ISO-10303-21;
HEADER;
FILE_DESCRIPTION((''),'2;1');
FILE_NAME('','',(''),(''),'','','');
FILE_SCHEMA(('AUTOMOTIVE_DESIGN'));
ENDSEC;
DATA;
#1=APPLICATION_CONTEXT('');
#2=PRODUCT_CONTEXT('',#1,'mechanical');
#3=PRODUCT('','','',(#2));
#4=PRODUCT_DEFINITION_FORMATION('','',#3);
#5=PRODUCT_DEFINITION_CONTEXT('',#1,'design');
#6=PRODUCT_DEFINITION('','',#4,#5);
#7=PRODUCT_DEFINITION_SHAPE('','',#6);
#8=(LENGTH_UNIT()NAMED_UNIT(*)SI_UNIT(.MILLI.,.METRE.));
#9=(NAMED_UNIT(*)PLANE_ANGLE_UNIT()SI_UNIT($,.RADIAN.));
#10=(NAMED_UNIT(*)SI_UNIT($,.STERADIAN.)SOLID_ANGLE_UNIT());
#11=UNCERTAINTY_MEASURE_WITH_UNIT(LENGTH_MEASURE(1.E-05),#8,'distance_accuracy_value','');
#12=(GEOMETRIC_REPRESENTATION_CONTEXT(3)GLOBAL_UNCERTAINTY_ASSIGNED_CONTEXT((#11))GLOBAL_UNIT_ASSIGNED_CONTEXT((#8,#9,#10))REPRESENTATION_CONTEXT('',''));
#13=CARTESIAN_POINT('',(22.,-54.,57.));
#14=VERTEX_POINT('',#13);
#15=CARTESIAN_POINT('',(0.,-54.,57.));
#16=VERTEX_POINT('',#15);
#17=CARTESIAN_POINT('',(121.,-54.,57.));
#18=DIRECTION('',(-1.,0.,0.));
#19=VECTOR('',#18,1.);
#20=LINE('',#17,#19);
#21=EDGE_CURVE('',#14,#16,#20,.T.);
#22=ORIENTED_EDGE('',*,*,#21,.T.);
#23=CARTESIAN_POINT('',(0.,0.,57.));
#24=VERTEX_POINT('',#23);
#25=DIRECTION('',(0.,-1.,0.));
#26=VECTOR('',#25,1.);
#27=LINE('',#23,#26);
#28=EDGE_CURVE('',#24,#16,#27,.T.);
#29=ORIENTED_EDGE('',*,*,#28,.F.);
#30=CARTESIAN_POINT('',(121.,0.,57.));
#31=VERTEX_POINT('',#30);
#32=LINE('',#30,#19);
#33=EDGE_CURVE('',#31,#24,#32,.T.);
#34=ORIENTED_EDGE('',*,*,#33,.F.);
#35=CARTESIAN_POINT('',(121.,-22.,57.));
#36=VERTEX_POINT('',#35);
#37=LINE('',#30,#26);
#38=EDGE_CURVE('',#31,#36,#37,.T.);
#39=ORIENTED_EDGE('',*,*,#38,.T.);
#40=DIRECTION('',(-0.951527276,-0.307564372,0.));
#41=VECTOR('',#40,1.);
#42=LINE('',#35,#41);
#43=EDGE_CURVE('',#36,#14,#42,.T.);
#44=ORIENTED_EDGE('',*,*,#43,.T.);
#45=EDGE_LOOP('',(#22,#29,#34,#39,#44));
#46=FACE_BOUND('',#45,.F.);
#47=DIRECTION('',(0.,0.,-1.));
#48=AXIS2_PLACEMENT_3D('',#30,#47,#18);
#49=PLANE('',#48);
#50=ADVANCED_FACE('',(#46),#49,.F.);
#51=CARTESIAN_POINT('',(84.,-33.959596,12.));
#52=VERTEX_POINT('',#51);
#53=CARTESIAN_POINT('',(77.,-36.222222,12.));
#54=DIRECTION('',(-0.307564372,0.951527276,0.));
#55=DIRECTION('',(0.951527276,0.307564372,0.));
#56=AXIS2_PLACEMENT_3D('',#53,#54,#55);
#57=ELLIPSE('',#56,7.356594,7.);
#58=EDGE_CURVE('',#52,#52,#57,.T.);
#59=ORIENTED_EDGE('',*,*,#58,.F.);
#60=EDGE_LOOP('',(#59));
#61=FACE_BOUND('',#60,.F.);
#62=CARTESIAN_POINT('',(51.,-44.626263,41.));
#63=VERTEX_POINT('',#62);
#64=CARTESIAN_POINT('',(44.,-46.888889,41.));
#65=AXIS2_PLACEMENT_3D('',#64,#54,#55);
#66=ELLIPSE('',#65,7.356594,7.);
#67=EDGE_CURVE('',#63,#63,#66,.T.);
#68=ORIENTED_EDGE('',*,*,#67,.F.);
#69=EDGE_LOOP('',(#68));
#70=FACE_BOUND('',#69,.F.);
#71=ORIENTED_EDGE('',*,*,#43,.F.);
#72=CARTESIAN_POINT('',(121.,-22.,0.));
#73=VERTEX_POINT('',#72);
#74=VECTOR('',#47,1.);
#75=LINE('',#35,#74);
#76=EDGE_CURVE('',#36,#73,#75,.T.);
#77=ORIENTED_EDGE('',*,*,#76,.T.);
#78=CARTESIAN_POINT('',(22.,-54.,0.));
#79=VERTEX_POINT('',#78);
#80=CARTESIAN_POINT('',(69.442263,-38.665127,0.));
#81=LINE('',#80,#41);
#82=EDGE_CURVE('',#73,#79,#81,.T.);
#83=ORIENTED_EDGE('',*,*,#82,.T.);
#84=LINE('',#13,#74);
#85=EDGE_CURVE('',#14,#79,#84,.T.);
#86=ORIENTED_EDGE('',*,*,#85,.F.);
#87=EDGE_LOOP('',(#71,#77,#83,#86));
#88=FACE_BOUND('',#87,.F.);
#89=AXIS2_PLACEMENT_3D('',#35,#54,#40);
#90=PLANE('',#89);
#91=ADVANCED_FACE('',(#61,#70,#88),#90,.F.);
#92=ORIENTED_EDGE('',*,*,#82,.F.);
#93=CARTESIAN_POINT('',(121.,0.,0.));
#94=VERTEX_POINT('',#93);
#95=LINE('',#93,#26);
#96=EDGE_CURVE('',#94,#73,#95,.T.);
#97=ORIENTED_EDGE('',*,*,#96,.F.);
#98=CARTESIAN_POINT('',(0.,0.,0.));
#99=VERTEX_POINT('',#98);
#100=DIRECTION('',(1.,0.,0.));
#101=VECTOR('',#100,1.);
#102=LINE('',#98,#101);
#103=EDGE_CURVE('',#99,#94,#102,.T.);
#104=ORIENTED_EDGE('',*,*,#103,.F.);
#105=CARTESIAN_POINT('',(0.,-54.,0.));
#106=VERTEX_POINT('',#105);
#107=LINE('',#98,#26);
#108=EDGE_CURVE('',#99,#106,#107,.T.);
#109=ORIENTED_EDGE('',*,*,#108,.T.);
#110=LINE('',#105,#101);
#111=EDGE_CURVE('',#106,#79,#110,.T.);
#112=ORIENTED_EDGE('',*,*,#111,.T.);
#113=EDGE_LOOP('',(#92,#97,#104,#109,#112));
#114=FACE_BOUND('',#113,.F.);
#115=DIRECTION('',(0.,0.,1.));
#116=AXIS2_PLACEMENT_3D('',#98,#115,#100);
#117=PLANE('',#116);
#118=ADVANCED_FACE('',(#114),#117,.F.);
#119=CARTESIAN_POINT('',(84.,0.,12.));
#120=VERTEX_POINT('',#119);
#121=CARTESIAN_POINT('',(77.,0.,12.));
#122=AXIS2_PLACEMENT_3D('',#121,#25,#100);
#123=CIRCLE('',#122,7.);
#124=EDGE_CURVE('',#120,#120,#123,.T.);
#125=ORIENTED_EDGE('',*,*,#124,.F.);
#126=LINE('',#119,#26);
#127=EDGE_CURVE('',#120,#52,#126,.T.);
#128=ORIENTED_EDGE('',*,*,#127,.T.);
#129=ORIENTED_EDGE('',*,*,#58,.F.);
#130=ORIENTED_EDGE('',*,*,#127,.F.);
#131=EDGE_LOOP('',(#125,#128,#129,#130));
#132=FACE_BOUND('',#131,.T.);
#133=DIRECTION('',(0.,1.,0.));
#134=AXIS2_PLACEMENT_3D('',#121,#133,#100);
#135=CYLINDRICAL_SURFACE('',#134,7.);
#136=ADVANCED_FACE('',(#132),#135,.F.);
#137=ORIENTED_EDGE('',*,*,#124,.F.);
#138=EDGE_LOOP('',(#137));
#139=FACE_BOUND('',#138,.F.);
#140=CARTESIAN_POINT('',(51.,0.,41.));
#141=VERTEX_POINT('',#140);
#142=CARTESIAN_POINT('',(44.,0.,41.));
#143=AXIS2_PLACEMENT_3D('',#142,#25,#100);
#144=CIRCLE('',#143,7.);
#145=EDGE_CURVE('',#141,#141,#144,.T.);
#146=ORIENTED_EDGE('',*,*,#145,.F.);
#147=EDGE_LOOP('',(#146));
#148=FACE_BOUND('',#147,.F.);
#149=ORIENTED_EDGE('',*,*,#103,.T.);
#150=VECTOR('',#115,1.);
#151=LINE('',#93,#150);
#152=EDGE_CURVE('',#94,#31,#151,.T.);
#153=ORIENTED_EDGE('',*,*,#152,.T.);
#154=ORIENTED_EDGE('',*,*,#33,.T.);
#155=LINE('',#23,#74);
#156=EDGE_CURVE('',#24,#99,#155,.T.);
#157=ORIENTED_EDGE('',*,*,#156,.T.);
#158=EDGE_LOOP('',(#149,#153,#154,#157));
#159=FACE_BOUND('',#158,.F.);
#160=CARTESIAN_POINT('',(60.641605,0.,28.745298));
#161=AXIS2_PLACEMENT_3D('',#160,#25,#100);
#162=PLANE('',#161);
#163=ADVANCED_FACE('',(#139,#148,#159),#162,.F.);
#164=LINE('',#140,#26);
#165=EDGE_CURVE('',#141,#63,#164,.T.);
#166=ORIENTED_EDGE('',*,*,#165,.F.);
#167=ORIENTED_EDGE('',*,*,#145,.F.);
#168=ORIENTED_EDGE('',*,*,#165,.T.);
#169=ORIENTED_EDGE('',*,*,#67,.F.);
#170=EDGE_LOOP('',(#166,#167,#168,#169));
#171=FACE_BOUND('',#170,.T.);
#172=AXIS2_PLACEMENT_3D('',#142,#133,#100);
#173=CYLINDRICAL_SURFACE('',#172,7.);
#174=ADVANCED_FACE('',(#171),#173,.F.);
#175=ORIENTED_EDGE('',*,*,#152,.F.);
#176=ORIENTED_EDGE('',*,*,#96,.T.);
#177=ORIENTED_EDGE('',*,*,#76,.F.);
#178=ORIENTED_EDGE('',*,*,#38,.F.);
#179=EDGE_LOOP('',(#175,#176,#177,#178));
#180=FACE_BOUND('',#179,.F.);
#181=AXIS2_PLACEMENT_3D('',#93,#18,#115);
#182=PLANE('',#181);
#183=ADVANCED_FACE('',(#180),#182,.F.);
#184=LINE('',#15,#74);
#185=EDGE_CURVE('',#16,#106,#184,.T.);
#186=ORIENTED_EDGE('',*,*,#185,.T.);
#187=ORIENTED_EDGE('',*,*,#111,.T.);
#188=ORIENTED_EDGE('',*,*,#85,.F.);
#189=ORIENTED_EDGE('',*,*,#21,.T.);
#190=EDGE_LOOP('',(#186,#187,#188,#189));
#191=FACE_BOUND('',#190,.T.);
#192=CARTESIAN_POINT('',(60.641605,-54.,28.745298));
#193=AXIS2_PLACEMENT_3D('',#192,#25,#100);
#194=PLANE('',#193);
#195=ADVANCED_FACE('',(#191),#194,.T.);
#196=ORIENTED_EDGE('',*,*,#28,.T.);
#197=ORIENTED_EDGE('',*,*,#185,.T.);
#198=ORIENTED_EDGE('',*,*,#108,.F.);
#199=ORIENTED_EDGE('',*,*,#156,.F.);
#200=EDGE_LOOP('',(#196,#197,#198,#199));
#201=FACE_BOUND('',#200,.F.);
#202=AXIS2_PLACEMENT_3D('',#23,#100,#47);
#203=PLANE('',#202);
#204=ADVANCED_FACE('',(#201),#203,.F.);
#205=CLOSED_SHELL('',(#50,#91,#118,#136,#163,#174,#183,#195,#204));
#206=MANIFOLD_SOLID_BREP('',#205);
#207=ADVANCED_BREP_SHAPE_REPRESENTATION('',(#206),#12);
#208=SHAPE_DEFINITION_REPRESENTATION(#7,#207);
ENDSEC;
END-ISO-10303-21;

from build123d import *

# Parameters (mm, degrees)
F0_R     = 7
F1_DEPTH = 54
F3_DEPTH = 57.001


with BuildPart() as f1:
    # F0 (on Front) → F1 (new body)
    with BuildSketch(Plane.XZ):
        Polygon((62, 57), (0, 57), (0, 46), (22, 29.677419), (62, 0), (121, 0), (121, 11), align=None)
        with Locations((77, 12)):
            Circle(F0_R, mode=Mode.SUBTRACT)
        with Locations((44, 41)):
            Circle(F0_R, mode=Mode.SUBTRACT)
        Polygon((22, 29.677419), (0, 46), (0, 0), (22, 0), align=None)
        Polygon((121, 57), (62, 57), (121, 11), align=None)
        Polygon((62, 0), (22, 29.677419), (22, 0), align=None)
    extrude(amount=F1_DEPTH)

    # F2 (on face) → F3 (cut, through all)
    with BuildSketch(Plane.XY.offset(57)):
        Polygon((121, -22), (22, -54), (121, -54), align=None)
    extrude(amount=-F3_DEPTH, mode=Mode.SUBTRACT)


solid = f1.part
